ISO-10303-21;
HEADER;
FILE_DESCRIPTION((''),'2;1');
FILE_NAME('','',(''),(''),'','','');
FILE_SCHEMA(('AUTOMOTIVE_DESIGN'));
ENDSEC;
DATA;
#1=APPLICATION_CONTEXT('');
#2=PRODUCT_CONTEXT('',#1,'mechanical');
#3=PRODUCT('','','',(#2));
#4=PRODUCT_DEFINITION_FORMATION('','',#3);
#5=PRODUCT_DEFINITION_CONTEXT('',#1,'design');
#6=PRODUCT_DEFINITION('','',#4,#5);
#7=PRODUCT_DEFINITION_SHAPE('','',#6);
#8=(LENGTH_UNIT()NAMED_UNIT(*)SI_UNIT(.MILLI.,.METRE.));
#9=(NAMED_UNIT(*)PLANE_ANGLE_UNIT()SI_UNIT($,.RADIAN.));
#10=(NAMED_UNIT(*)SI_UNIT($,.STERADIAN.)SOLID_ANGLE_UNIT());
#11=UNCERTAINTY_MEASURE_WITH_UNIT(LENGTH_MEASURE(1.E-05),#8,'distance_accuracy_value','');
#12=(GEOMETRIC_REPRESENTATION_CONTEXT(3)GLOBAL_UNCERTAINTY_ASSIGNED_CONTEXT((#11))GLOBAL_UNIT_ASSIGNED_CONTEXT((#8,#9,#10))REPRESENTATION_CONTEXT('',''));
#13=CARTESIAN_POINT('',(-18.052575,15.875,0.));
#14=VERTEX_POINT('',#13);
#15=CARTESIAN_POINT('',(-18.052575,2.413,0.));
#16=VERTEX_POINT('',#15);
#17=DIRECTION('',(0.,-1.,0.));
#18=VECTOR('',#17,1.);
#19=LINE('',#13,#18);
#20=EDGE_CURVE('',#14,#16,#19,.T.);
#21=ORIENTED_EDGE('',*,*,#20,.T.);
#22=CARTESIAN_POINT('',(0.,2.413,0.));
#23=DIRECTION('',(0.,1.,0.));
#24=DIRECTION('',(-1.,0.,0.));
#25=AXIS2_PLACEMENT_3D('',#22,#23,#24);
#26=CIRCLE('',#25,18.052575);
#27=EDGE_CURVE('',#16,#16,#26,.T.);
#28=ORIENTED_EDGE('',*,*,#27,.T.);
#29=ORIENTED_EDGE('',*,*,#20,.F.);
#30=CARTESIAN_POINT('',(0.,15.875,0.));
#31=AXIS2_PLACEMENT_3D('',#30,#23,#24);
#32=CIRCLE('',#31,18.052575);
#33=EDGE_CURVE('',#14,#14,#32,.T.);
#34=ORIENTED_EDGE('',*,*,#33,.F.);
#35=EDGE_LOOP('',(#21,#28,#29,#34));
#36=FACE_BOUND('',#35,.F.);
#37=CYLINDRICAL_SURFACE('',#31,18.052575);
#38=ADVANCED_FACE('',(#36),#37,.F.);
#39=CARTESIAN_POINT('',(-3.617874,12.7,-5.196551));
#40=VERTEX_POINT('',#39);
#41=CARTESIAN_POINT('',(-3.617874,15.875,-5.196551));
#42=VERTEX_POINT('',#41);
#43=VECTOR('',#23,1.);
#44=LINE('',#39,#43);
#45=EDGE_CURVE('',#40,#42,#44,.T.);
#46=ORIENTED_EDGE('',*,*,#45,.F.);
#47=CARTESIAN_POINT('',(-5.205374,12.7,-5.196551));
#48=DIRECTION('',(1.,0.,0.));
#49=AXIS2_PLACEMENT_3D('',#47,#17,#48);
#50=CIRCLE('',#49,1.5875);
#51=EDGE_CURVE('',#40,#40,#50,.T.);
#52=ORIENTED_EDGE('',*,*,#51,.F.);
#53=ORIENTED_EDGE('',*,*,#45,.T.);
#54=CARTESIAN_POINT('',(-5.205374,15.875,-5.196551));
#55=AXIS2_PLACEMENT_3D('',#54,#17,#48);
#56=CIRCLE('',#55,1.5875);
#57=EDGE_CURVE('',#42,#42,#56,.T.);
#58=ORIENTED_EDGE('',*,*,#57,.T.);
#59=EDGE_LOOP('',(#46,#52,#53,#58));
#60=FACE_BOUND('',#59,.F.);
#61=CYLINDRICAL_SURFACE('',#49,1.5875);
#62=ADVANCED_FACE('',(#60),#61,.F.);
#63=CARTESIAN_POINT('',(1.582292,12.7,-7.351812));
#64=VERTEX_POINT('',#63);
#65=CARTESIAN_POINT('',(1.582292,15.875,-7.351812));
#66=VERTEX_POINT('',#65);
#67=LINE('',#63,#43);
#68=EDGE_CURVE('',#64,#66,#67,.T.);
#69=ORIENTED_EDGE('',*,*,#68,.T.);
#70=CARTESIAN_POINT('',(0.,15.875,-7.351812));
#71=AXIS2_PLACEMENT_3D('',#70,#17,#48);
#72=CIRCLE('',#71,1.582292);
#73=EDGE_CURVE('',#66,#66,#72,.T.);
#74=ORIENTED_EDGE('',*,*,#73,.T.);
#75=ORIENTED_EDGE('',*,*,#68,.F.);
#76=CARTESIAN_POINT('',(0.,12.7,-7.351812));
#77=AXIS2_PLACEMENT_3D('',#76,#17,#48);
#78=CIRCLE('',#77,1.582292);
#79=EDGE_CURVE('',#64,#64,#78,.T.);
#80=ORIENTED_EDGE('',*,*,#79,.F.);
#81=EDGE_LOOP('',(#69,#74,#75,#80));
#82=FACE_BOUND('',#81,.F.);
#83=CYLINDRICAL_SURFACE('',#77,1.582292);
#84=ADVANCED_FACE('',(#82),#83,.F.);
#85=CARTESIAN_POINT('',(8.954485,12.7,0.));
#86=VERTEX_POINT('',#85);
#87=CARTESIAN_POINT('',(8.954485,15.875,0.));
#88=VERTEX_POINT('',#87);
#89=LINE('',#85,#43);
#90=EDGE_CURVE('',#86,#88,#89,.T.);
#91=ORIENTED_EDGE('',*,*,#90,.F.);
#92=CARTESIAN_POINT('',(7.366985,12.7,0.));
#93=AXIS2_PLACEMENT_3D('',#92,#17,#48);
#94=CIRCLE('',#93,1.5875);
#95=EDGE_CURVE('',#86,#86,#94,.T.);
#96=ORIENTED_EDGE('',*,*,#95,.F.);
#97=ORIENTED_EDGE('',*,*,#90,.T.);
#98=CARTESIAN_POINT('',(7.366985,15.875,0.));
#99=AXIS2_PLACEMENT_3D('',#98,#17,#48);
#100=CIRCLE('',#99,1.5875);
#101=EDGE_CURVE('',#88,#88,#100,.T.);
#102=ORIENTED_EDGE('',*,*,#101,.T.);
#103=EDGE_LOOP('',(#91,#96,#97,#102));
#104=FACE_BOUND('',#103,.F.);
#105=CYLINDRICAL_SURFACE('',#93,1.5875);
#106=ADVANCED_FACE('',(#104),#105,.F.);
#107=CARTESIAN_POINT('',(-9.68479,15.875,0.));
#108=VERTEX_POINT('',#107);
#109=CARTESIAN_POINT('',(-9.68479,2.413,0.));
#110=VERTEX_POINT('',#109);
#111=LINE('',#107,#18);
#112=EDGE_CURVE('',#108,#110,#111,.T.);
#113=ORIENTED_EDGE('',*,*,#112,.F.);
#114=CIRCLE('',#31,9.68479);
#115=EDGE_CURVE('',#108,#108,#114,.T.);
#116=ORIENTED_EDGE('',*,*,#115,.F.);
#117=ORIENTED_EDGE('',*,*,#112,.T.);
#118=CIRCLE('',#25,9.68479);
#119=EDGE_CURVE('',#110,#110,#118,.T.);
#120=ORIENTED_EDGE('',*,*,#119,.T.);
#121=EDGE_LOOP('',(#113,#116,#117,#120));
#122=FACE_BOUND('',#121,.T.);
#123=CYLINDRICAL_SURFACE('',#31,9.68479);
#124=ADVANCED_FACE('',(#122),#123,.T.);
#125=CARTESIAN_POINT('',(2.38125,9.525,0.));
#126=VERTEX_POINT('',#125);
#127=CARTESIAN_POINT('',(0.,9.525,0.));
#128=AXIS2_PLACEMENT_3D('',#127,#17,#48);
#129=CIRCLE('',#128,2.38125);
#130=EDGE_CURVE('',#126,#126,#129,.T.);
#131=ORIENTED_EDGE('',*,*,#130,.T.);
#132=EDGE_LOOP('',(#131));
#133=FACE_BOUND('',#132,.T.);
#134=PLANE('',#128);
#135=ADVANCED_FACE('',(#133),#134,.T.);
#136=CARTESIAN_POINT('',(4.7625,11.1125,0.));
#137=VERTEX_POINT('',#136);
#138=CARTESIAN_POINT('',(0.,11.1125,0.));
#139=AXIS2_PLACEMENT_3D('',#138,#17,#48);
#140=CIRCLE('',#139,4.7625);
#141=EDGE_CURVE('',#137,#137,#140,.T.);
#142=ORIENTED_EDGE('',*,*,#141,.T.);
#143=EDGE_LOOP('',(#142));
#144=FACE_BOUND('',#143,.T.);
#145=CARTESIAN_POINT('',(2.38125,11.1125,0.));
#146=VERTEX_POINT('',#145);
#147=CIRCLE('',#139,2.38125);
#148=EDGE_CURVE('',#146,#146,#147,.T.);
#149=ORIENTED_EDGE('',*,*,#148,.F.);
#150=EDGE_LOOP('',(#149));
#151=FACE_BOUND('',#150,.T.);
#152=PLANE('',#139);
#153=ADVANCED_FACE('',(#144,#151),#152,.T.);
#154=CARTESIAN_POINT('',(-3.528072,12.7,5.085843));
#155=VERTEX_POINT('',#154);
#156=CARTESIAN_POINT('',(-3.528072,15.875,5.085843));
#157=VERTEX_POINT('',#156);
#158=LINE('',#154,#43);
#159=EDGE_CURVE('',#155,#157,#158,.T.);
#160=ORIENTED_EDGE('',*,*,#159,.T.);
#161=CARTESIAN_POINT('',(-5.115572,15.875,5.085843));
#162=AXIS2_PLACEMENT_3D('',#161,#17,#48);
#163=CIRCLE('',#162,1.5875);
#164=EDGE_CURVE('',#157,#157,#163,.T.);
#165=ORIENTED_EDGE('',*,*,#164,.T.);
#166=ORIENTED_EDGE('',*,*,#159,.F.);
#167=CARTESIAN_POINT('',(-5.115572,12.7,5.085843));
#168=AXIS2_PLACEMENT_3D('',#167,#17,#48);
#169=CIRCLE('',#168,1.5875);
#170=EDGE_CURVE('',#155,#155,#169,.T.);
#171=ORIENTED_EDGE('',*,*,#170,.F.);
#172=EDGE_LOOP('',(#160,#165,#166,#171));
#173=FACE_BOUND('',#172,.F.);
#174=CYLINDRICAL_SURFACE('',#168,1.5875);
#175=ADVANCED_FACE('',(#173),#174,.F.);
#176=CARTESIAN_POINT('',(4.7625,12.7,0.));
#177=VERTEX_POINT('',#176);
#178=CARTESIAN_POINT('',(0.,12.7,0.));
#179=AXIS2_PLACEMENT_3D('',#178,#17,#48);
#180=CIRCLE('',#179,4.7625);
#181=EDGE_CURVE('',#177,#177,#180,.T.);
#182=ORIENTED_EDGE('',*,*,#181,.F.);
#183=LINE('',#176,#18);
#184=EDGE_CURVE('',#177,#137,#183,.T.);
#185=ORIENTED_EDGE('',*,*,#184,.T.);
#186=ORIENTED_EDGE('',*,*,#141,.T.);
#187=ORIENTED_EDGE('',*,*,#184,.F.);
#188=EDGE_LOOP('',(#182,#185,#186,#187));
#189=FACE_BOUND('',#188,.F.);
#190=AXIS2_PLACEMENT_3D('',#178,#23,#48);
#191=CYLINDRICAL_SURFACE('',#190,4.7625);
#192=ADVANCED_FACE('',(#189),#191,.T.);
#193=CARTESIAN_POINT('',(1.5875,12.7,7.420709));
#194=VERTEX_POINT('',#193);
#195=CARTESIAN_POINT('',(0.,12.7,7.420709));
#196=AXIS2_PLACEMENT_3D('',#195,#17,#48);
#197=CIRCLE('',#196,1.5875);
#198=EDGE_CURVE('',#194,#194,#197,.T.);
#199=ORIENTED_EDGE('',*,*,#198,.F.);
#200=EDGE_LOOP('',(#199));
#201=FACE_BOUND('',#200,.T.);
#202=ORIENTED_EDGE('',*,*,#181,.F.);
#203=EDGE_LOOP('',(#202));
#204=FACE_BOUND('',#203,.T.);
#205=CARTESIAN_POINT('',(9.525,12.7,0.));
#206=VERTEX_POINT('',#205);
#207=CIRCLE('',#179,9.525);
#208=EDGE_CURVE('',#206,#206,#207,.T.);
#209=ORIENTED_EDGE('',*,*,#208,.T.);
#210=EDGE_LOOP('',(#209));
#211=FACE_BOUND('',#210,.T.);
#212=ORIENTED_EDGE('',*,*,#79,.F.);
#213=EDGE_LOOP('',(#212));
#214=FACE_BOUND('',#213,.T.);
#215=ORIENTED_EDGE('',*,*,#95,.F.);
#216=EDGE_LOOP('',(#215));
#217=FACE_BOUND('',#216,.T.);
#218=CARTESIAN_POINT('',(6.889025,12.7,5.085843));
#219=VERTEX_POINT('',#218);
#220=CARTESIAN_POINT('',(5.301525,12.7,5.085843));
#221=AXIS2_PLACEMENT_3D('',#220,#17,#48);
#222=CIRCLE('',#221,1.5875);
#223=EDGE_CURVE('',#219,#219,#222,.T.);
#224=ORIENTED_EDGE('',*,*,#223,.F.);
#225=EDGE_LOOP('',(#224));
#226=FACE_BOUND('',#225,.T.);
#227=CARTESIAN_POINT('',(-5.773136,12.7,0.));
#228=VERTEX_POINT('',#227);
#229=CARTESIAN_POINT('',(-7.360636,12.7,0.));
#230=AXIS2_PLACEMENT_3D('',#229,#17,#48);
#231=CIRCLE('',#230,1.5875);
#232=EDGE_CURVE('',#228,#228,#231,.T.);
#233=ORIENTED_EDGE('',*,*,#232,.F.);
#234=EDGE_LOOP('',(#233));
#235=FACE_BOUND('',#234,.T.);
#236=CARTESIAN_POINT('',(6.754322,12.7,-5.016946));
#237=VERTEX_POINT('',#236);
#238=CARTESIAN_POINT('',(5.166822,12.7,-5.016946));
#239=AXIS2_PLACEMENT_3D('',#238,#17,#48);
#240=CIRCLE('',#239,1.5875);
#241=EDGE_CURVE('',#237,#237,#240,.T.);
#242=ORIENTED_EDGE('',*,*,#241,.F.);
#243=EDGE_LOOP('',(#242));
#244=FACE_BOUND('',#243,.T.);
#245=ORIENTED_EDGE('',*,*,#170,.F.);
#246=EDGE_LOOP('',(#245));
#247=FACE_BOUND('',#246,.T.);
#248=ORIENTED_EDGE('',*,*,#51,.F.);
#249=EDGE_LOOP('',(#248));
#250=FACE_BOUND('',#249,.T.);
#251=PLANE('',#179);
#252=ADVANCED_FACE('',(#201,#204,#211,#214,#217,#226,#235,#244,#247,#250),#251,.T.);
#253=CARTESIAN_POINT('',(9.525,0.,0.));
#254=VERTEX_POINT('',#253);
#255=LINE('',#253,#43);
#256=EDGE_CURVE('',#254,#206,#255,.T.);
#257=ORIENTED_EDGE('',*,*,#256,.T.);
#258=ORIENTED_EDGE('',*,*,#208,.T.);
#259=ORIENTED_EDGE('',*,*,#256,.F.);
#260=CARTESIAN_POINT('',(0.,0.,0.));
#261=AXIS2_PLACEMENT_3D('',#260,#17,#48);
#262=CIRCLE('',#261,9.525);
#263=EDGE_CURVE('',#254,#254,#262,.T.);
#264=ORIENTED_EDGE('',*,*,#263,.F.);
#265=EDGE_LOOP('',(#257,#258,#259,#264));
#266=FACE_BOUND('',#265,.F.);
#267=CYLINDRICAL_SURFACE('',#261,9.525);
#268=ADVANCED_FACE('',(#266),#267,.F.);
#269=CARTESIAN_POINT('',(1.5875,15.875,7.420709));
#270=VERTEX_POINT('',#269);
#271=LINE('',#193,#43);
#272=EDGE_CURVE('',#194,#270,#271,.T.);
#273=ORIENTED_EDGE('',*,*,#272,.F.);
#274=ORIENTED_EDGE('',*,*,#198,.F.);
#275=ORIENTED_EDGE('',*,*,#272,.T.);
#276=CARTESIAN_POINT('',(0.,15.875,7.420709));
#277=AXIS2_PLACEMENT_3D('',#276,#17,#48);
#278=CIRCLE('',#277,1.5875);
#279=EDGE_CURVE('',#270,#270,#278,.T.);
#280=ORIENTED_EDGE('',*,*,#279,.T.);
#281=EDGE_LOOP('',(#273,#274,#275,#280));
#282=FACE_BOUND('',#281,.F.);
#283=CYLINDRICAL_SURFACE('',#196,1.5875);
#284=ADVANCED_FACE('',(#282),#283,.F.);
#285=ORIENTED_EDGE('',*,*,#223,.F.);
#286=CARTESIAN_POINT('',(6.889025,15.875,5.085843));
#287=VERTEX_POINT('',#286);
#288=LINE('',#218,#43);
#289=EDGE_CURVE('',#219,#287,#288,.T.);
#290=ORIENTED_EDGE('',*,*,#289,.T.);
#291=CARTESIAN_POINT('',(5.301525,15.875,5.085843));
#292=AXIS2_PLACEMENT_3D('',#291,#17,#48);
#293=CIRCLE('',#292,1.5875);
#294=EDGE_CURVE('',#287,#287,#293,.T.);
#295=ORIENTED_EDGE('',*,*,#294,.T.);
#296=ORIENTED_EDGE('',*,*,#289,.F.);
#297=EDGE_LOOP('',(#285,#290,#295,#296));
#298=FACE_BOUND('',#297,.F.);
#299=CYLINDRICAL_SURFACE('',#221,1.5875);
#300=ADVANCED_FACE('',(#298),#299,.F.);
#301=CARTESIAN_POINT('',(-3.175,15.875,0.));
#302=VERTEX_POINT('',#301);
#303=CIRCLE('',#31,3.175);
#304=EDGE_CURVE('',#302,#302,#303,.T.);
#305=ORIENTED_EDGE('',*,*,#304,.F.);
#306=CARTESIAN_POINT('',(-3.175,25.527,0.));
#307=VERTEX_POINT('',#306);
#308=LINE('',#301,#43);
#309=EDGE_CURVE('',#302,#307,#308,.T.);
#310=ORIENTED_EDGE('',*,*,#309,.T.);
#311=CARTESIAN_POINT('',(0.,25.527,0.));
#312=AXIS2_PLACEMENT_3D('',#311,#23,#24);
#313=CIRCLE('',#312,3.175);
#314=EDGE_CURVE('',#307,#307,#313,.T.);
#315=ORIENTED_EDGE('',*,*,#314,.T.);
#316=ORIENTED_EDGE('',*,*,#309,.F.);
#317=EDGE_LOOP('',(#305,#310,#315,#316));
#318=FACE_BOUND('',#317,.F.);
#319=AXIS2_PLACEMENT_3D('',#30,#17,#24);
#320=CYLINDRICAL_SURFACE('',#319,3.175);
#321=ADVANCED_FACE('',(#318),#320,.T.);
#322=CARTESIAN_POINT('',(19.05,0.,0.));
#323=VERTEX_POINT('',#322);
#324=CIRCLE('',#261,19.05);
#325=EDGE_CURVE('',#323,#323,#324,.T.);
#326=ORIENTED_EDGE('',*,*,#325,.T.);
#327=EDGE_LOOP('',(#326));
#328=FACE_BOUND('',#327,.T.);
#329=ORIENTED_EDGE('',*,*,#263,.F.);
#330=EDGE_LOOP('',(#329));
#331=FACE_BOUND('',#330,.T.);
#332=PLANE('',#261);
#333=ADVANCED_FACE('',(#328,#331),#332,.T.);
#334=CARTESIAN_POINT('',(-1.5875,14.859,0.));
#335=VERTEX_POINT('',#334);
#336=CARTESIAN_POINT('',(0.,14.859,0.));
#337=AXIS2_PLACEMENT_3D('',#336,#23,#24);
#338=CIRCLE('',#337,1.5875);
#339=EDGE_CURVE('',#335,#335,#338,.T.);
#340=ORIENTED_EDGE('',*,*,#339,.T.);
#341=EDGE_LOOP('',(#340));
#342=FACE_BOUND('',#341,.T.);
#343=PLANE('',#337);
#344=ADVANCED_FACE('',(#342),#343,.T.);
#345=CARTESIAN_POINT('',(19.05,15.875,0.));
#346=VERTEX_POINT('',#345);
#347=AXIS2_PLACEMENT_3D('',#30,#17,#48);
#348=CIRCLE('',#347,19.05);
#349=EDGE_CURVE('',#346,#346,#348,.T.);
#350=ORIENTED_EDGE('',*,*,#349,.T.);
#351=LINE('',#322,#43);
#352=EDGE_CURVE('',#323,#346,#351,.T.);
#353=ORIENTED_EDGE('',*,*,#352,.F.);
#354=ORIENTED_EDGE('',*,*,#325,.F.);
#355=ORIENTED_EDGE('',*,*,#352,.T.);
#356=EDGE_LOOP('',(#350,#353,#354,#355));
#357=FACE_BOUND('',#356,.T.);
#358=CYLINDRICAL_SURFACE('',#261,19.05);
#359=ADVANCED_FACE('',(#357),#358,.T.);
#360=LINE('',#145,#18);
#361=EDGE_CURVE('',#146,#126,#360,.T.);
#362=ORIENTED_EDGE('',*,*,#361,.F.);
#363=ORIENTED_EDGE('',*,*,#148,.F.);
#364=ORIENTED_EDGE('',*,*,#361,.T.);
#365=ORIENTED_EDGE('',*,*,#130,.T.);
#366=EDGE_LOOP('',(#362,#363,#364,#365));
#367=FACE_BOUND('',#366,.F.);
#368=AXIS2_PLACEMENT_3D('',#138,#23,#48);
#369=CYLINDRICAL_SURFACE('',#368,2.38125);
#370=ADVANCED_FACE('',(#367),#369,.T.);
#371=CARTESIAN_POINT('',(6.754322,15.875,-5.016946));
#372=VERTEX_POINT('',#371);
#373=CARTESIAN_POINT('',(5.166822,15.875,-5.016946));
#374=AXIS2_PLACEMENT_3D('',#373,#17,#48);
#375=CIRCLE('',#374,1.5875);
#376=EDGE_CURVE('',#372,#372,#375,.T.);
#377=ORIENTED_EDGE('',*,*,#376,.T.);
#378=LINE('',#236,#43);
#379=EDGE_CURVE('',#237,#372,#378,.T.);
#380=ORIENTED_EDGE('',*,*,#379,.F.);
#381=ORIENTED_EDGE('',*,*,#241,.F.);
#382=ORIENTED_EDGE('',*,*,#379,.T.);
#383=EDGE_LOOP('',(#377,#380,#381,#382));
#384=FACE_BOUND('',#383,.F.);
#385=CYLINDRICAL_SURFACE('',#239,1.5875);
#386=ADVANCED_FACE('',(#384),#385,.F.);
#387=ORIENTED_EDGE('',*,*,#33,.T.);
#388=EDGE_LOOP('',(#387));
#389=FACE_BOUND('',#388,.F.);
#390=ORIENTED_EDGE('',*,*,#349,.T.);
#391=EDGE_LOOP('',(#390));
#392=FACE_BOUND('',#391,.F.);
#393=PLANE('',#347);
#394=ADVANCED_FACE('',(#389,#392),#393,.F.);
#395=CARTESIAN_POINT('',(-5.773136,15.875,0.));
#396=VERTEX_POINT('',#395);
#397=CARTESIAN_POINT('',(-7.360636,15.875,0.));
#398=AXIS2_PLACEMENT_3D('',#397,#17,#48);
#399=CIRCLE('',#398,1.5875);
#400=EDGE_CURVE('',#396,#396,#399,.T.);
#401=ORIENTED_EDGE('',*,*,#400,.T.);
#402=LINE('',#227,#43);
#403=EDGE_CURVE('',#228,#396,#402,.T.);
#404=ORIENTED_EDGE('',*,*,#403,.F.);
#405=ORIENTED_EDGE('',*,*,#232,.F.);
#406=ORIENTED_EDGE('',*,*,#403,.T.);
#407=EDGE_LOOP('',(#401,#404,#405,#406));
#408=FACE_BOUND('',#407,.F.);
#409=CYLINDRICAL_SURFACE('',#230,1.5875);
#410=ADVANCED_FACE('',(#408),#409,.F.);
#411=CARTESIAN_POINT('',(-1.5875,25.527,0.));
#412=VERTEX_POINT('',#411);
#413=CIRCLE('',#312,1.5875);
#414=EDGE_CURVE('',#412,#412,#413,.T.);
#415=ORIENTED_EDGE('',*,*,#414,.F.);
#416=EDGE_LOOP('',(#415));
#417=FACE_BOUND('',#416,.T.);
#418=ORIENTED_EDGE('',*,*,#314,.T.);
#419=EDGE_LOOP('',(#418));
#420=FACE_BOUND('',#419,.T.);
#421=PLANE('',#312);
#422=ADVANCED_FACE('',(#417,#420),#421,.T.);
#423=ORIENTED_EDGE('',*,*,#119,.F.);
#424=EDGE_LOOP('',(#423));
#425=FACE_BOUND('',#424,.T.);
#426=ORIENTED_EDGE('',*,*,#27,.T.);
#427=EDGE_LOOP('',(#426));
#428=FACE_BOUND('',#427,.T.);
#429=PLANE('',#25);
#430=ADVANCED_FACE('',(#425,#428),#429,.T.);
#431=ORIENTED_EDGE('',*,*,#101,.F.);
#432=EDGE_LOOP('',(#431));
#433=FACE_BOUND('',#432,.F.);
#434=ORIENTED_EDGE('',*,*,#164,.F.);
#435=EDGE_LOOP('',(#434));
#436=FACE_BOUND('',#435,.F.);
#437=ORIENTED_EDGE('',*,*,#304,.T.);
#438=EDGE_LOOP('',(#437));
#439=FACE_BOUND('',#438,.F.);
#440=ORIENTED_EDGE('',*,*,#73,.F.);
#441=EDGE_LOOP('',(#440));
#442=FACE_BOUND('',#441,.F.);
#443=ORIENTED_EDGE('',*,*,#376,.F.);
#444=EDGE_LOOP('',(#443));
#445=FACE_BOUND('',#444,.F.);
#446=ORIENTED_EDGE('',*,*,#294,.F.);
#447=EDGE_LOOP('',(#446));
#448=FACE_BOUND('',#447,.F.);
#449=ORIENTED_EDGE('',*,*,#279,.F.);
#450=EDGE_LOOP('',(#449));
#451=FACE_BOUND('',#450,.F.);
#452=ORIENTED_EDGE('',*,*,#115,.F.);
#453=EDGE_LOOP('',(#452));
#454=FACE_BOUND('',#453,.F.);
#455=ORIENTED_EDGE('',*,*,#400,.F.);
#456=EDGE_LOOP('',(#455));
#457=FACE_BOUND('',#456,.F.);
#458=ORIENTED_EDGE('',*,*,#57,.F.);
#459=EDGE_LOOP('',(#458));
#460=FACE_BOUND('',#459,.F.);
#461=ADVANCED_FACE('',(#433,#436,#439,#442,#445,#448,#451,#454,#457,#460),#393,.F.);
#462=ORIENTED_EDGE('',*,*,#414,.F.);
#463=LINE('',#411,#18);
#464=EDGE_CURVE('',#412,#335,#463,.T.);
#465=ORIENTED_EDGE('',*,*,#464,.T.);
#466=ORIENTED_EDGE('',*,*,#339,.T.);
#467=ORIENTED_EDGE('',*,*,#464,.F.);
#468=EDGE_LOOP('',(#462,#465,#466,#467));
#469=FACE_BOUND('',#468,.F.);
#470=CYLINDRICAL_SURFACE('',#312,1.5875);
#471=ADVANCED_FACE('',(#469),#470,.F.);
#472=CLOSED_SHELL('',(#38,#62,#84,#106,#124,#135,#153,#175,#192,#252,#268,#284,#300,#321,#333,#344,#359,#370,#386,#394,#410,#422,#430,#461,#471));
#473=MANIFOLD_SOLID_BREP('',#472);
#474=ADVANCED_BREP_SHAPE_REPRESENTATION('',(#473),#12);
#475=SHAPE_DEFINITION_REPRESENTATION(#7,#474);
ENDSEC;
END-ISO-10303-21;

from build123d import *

# Parameters (mm, degrees)
F0_R      = 19.05
F1_DEPTH  = 15.875
F2_R      = 9.525
F3_DEPTH  = 12.7
F5_R      = 1.5875
F6_DEPTH  = 25.4
F7_R      = 1.582292
F8_DEPTH  = 25.4
F9_R      = 1.5875
F10_DEPTH = 25.4
F11_R     = 1.5875
F12_DEPTH = 25.4
F13_R     = 1.5875
F14_DEPTH = 25.4
F15_R     = 1.5875
F16_DEPTH = 25.4
F17_R     = 1.5875
F18_DEPTH = 25.4
F19_R     = 1.5875
F20_DEPTH = 25.4
F21_R     = 4.7625
F22_DEPTH = 1.5875
F23_R     = 2.38125
F24_DEPTH = 1.5875
F26_R     = 18.052575
F26_R_2   = 9.68479
F27_DEPTH = 13.462
F28_R     = 3.175
F29_DEPTH = 9.652
F30_R     = 1.5875
F31_DEPTH = 10.668


with BuildPart() as f1:
    # F0 (on Front) → F1 (new body)
    with BuildSketch(Plane.XZ):
        Circle(F0_R)
    extrude(amount=-F1_DEPTH)

    # F2 (on face) → F3 (cut)
    with BuildSketch(Plane.XZ):
        Circle(F2_R)
    extrude(amount=-F3_DEPTH, mode=Mode.SUBTRACT)

    # F5 (on face) → F6 (cut)
    with BuildSketch(Plane.XZ.offset(-12.7)):
        with Locations((0, 7.420709)):
            Circle(F5_R)
    extrude(amount=-F6_DEPTH, mode=Mode.SUBTRACT)

    # F7 (on face) → F8 (cut)
    with BuildSketch(Plane.XZ.offset(-12.7)):
        with Locations((0, -7.351812)):
            Circle(F7_R)
    extrude(amount=-F8_DEPTH, mode=Mode.SUBTRACT)

    # F9 (on face) → F10 (cut)
    with BuildSketch(Plane.XZ.offset(-12.7)):
        with Locations((-7.360636, 0)):
            Circle(F9_R)
    extrude(amount=-F10_DEPTH, mode=Mode.SUBTRACT)

    # F11 (on face) → F12 (cut)
    with BuildSketch(Plane.XZ.offset(-12.7)):
        with Locations((7.366985, 0)):
            Circle(F11_R)
    extrude(amount=-F12_DEPTH, mode=Mode.SUBTRACT)

    # F13 (on face) → F14 (cut)
    with BuildSketch(Plane.XZ.offset(-12.7)):
        with Locations((-5.115572, 5.085843)):
            Circle(F13_R)
    extrude(amount=-F14_DEPTH, mode=Mode.SUBTRACT)

    # F15 (on face) → F16 (cut)
    with BuildSketch(Plane.XZ.offset(-12.7)):
        with Locations((5.301525, 5.085843)):
            Circle(F15_R)
    extrude(amount=-F16_DEPTH, mode=Mode.SUBTRACT)

    # F17 (on face) → F18 (cut)
    with BuildSketch(Plane.XZ.offset(-12.7)):
        with Locations((-5.205374, -5.196551)):
            Circle(F17_R)
    extrude(amount=-F18_DEPTH, mode=Mode.SUBTRACT)

    # F19 (on face) → F20 (cut)
    with BuildSketch(Plane.XZ.offset(-12.7)):
        with Locations((5.166822, -5.016946)):
            Circle(F19_R)
    extrude(amount=-F20_DEPTH, mode=Mode.SUBTRACT)

    # F21 (on face) → F22 (join)
    with BuildSketch(Plane.XZ.offset(-12.7)):
        Circle(F21_R)
    extrude(amount=F22_DEPTH)

    # F23 (on face) → F24 (join)
    with BuildSketch(Plane.XZ.offset(-11.1125)):
        Circle(F23_R)
    extrude(amount=F24_DEPTH)

    # F26 (on face) → F27 (cut)
    with BuildSketch(Plane(origin=(0, 15.875, 0), x_dir=(-1, 0, 0), z_dir=(0, 1, 0))):
        Circle(F26_R)
        Circle(F26_R_2, mode=Mode.SUBTRACT)
    extrude(amount=-F27_DEPTH, mode=Mode.SUBTRACT)

    # F28 (on face) → F29 (join)
    with BuildSketch(Plane(origin=(0, 15.875, 0), x_dir=(-1, 0, 0), z_dir=(0, 1, 0))):
        Circle(F28_R)
    extrude(amount=F29_DEPTH)

    # F30 (on face) → F31 (cut)
    with BuildSketch(Plane(origin=(0, 25.527, 0), x_dir=(-1, 0, 0), z_dir=(0, 1, 0))):
        Circle(F30_R)
    extrude(amount=-F31_DEPTH, mode=Mode.SUBTRACT)


solid = f1.part
